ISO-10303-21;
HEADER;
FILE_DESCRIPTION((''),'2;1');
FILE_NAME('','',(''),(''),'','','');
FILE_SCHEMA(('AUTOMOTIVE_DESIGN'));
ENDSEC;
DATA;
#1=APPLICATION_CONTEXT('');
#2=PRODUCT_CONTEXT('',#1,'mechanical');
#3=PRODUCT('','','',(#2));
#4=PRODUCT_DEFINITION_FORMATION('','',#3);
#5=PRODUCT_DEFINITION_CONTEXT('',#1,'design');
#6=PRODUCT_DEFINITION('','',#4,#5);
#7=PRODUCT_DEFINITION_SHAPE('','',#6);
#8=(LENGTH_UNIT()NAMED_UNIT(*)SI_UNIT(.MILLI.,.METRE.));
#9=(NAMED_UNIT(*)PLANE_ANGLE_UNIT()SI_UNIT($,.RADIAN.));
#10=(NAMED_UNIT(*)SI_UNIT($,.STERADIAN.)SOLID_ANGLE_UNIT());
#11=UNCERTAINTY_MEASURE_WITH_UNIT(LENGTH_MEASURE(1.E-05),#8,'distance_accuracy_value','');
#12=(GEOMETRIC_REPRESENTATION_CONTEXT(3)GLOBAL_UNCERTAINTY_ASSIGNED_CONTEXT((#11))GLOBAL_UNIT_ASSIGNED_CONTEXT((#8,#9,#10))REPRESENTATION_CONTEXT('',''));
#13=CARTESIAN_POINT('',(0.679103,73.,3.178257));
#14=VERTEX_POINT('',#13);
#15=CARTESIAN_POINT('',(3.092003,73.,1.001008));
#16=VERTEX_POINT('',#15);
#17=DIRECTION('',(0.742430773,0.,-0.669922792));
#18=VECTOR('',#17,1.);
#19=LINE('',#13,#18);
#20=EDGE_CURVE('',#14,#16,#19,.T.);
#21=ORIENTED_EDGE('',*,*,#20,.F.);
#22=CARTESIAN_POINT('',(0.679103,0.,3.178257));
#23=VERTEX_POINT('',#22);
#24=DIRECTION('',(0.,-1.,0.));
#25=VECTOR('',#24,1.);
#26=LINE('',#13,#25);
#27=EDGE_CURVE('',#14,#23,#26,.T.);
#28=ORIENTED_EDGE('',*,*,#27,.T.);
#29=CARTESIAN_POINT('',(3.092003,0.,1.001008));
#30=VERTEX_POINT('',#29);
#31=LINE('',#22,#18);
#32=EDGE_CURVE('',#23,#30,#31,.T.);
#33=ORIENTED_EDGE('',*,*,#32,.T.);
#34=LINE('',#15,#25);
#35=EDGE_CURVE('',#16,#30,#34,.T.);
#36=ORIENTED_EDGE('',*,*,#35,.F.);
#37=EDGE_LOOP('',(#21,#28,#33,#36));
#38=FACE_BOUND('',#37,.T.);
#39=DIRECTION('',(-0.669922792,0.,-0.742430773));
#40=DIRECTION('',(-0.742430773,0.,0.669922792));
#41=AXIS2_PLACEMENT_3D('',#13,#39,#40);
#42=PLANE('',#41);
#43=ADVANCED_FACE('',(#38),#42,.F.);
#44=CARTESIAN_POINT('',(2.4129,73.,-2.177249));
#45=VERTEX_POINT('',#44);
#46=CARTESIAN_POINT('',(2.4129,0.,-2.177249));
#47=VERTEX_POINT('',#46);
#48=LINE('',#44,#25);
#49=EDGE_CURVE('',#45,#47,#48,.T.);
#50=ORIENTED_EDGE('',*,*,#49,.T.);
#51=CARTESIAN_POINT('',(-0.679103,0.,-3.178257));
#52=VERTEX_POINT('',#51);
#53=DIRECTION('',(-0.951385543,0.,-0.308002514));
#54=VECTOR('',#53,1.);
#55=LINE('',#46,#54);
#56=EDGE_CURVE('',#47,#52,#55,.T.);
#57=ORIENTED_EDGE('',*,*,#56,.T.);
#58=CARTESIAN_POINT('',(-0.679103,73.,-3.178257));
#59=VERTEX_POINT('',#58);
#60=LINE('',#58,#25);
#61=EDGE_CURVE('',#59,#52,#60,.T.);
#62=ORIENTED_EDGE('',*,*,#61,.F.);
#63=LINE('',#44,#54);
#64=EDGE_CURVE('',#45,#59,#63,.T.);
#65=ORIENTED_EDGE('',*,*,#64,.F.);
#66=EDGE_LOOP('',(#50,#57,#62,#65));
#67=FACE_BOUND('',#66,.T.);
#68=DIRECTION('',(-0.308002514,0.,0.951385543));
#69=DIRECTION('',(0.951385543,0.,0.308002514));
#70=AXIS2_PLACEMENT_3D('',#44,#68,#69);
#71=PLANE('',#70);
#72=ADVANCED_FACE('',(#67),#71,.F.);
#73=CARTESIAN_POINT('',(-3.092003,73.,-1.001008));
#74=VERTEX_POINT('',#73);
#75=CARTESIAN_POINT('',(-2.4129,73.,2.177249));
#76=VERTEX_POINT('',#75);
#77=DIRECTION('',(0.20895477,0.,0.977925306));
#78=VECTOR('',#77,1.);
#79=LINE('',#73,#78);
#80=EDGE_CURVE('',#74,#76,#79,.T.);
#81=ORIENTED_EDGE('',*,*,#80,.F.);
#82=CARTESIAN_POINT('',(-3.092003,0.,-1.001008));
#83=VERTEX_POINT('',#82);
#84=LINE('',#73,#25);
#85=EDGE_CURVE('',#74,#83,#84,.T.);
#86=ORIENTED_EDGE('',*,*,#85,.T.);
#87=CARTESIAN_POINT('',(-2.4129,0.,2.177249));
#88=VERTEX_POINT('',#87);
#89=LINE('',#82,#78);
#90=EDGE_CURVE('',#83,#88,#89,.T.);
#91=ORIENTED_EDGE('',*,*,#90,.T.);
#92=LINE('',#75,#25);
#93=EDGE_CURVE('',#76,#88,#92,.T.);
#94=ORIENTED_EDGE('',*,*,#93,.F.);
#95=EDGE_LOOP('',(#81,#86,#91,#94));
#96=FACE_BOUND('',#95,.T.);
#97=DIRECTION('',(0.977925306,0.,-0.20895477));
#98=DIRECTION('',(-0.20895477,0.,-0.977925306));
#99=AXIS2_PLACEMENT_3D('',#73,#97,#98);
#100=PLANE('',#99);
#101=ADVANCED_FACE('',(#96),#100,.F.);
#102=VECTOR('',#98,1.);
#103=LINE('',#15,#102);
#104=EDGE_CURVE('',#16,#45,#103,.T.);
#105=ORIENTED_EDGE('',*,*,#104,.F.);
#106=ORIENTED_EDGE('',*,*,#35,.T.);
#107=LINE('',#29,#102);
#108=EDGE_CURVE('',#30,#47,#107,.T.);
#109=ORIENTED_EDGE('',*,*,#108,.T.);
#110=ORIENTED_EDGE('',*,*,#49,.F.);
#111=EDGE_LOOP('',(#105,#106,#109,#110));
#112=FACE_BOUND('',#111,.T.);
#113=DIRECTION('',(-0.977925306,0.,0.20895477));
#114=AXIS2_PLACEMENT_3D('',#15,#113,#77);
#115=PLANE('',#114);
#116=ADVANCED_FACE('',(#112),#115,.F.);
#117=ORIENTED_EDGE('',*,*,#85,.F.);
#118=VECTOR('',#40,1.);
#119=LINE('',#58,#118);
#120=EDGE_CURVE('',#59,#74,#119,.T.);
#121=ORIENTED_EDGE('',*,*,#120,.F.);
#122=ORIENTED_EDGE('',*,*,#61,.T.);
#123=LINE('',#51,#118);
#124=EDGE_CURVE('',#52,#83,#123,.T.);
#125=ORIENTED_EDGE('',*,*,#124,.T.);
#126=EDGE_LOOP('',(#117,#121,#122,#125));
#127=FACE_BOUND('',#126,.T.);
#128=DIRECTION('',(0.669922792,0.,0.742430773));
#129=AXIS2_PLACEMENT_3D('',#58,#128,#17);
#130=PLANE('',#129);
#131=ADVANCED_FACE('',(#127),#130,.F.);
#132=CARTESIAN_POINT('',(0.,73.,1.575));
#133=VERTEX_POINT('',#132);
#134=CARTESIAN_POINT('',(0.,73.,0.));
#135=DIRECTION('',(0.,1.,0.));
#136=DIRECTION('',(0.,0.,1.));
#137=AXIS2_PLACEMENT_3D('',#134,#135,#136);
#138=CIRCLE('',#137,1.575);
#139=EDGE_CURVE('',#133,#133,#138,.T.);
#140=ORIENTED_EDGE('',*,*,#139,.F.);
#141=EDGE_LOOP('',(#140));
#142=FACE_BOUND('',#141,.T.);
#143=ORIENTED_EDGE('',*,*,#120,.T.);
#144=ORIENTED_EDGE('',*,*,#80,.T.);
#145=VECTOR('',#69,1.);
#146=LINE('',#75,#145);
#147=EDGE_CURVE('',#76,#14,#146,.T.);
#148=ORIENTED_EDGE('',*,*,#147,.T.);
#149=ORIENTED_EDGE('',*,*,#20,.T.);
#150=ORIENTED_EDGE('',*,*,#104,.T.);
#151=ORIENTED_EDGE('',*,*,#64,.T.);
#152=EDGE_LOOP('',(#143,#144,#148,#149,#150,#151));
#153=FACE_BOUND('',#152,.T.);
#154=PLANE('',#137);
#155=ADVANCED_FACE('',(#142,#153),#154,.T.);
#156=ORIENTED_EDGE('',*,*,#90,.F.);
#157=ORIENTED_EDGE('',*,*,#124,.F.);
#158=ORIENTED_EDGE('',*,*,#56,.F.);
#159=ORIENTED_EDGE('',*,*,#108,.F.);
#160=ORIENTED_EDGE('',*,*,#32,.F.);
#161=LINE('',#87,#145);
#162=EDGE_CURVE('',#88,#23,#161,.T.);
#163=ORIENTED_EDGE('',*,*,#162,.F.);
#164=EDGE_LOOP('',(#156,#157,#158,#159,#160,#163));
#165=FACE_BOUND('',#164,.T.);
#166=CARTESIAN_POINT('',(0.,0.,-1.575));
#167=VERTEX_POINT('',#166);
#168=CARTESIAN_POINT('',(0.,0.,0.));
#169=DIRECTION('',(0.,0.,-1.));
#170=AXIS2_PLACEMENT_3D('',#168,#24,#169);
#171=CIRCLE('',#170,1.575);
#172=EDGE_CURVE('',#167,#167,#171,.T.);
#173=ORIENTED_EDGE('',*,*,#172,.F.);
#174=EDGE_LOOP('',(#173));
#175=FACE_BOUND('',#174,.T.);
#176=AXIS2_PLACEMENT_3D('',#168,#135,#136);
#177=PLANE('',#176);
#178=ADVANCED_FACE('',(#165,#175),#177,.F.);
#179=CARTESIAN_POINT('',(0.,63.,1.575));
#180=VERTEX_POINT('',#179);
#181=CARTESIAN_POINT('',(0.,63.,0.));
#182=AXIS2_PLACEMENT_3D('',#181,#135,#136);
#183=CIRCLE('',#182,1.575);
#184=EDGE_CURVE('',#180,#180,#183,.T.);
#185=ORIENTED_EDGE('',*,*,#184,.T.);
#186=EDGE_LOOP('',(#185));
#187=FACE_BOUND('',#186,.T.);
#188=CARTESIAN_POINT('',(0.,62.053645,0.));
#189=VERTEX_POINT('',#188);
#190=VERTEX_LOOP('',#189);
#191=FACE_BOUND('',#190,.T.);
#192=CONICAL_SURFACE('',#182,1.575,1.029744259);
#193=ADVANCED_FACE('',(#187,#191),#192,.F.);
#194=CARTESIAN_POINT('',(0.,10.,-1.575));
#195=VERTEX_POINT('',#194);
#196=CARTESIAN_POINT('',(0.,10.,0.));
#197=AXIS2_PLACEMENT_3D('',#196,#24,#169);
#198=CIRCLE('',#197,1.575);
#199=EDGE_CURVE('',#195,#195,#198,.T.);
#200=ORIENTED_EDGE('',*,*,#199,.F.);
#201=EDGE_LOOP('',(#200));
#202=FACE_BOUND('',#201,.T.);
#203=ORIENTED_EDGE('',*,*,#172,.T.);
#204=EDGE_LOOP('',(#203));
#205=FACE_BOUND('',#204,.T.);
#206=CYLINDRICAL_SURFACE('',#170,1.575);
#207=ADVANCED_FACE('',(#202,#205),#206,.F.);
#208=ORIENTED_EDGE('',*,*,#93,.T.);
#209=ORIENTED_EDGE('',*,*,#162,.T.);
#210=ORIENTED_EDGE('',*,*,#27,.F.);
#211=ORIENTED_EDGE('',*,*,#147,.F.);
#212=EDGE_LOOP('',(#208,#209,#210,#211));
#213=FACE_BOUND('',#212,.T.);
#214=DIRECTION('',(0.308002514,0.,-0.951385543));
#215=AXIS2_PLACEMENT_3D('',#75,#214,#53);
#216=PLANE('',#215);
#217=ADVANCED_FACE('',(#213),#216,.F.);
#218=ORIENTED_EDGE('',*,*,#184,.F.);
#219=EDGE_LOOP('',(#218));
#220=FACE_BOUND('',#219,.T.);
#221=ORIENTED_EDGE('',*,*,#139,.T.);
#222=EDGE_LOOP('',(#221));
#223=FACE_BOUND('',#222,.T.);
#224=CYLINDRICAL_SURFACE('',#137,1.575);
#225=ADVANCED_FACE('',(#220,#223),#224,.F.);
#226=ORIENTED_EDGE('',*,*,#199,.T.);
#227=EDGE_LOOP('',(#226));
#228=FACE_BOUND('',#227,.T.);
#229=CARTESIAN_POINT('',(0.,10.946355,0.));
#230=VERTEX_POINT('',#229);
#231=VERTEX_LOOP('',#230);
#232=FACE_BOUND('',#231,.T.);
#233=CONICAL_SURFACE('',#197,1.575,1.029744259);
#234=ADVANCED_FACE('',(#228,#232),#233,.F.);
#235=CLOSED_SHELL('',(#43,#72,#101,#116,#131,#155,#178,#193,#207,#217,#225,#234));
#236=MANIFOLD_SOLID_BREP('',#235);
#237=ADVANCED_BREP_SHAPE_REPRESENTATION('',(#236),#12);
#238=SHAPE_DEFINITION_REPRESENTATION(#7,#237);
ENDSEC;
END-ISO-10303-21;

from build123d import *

# Parameters (mm, degrees)
RESSALTO_EXTRUS_O1_DEPTH                    = 73
FURO_ROSCADO_PARA_CONDU_TE_DE_M3X0_51_D     = 3.15
FURO_ROSCADO_PARA_CONDU_TE_DE_M3X0_51_DEPTH = 10
FURO_ROSCADO_PARA_CONDU_TE_DE_M3X0_51_TIP   = 0.946355475
FURO_ROSCADO_PARA_CONDU_TE_DE_M3X0_52_D     = 3.15
FURO_ROSCADO_PARA_CONDU_TE_DE_M3X0_52_DEPTH = 10
FURO_ROSCADO_PARA_CONDU_TE_DE_M3X0_52_TIP   = 0.946355475


with BuildPart() as part:
    # Esboço1 → Ressalto-extrusão1 (new body)
    with BuildSketch(Plane(origin=(0, 0, 0), x_dir=(1, 0, 0), z_dir=(0, 1, 0))):
        Polygon((3.092003015, -1.00100817), (2.412900012, 2.177249074), (-0.679103003, 3.178257244), (-3.092003015, 1.00100817), (-2.412900012, -2.177249074), (0.679103003, -3.178257244), align=None)
    extrude(amount=RESSALTO_EXTRUS_O1_DEPTH)

    # Furo roscado para conduíte de M3x0.51
    with Locations(Plane(origin=(0, 0, 0), x_dir=(-1, 0, 0), z_dir=(0, -1, 0))):
        with Locations((0, 0)):
            Hole(FURO_ROSCADO_PARA_CONDU_TE_DE_M3X0_51_D / 2, depth=FURO_ROSCADO_PARA_CONDU_TE_DE_M3X0_51_DEPTH)
            with Locations((0, 0, -(FURO_ROSCADO_PARA_CONDU_TE_DE_M3X0_51_DEPTH + FURO_ROSCADO_PARA_CONDU_TE_DE_M3X0_51_TIP / 2))):  # 118° drill point
                Cone(0, FURO_ROSCADO_PARA_CONDU_TE_DE_M3X0_51_D / 2, FURO_ROSCADO_PARA_CONDU_TE_DE_M3X0_51_TIP, mode=Mode.SUBTRACT)

    # Furo roscado para conduíte de M3x0.52
    with Locations(Plane(origin=(0, 73, 0), x_dir=(1, 0, 0), z_dir=(0, 1, 0))):
        with Locations((0, 0)):
            Hole(FURO_ROSCADO_PARA_CONDU_TE_DE_M3X0_52_D / 2, depth=FURO_ROSCADO_PARA_CONDU_TE_DE_M3X0_52_DEPTH)
            with Locations((0, 0, -(FURO_ROSCADO_PARA_CONDU_TE_DE_M3X0_52_DEPTH + FURO_ROSCADO_PARA_CONDU_TE_DE_M3X0_52_TIP / 2))):  # 118° drill point
                Cone(0, FURO_ROSCADO_PARA_CONDU_TE_DE_M3X0_52_D / 2, FURO_ROSCADO_PARA_CONDU_TE_DE_M3X0_52_TIP, mode=Mode.SUBTRACT)


solid = part.part
